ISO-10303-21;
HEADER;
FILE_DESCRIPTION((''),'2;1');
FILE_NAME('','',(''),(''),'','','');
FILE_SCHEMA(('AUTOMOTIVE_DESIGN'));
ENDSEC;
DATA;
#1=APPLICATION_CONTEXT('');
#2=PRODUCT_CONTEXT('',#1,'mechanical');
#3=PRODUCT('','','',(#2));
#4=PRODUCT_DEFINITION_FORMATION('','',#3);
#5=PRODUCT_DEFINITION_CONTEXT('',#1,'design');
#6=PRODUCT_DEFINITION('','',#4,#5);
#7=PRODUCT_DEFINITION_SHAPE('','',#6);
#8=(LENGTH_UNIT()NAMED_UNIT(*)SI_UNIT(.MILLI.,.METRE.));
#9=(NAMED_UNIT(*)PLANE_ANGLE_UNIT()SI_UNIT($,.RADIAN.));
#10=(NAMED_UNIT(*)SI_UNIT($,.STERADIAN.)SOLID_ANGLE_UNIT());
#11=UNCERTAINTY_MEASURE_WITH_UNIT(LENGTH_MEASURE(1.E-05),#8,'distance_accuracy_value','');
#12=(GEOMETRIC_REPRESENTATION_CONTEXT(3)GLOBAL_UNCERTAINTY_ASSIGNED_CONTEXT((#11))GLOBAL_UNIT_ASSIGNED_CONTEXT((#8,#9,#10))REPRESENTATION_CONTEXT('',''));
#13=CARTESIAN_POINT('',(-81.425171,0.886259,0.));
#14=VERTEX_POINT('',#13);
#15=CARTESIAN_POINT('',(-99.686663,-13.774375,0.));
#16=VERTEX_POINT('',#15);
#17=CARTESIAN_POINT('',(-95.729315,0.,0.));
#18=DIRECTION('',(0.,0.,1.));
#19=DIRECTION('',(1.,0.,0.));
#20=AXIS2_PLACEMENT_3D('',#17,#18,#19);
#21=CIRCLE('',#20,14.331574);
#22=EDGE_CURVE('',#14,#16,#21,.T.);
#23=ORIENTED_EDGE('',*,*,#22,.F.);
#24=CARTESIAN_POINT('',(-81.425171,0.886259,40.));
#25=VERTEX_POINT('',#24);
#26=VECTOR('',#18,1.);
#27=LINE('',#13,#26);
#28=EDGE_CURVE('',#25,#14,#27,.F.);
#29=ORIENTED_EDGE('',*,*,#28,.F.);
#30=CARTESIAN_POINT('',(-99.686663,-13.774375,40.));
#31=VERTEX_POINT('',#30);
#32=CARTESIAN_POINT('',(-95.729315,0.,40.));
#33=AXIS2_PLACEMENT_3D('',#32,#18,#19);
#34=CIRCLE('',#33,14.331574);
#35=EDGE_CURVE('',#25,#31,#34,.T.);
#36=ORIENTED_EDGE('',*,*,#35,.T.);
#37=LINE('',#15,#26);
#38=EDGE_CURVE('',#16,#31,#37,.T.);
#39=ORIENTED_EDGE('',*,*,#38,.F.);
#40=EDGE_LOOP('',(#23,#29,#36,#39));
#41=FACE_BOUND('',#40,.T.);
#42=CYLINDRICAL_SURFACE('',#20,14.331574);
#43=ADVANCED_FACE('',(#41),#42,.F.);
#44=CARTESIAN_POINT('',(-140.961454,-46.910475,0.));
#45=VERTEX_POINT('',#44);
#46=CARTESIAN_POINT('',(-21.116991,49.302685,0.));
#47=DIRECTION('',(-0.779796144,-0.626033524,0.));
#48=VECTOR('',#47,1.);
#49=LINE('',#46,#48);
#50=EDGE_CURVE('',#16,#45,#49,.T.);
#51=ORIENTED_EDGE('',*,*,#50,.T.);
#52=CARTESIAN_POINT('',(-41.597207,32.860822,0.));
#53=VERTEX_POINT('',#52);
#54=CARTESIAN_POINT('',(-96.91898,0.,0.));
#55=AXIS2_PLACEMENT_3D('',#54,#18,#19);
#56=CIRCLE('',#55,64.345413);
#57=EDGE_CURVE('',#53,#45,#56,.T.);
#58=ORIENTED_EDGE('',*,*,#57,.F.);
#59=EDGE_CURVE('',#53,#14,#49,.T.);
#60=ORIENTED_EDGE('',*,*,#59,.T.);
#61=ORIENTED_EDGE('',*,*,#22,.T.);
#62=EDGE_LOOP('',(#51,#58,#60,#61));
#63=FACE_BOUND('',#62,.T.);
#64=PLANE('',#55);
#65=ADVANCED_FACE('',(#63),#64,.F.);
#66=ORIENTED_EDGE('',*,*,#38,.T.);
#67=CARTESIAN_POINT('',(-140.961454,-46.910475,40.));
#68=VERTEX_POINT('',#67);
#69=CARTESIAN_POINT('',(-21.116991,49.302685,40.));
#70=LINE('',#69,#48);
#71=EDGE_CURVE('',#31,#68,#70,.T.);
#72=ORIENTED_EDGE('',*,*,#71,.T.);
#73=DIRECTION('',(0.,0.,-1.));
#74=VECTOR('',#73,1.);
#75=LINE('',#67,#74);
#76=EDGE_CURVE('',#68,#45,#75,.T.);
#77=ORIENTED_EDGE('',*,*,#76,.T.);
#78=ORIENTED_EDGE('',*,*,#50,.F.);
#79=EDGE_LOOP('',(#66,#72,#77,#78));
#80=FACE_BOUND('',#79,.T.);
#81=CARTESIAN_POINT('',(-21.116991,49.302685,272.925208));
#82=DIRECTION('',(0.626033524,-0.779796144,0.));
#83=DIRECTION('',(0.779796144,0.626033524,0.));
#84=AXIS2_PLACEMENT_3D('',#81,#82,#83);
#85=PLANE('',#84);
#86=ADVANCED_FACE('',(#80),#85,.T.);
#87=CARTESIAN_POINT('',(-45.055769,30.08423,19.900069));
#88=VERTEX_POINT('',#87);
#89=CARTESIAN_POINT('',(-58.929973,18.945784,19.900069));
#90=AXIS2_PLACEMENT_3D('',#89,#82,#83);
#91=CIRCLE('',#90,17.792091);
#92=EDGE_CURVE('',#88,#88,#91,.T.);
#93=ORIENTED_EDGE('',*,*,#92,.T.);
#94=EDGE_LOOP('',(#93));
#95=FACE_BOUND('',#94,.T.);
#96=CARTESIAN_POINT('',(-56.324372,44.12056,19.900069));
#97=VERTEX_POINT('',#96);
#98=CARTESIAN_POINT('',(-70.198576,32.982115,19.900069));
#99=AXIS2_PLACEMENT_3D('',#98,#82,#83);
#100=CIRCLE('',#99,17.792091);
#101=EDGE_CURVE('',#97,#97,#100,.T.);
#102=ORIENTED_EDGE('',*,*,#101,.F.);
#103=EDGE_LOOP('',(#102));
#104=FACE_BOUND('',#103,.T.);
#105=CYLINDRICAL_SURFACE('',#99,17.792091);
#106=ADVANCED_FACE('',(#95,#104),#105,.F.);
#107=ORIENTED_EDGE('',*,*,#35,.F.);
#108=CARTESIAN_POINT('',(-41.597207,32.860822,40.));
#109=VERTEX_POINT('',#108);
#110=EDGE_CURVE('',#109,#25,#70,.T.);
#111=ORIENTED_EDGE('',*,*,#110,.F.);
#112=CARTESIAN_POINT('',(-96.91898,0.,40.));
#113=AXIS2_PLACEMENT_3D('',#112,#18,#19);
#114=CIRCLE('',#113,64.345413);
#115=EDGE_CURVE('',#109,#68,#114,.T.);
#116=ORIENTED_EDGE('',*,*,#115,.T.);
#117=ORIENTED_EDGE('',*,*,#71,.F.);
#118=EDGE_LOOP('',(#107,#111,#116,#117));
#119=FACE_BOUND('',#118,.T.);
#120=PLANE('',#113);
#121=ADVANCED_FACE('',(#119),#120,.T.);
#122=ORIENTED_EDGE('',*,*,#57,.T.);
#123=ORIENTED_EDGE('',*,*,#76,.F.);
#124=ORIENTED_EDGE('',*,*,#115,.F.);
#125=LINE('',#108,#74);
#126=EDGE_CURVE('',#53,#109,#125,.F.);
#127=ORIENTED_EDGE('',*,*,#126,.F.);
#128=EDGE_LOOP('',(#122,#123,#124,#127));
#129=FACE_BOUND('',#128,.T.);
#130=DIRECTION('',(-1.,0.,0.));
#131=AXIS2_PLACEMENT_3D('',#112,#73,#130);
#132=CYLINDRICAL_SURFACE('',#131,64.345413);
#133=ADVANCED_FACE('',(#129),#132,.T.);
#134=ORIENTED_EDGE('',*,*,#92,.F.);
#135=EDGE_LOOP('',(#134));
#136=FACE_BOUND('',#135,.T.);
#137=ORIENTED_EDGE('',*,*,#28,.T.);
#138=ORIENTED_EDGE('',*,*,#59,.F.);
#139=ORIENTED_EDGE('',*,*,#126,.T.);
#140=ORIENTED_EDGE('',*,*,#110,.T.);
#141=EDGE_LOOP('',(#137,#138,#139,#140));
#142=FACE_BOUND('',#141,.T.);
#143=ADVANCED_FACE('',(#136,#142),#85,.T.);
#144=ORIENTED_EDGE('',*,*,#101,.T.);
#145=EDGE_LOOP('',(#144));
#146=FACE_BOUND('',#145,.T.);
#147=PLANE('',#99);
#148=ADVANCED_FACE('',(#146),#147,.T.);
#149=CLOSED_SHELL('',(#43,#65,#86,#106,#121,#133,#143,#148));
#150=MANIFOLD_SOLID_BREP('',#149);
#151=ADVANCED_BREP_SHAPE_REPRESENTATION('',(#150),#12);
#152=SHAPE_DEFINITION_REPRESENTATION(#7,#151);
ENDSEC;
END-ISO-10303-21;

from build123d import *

# Parameters (mm, degrees)
SKETCH1_R               = 64.345413168
BOSS_EXTRUDE1_DEPTH     = 40
SKETCH3_R               = 14.331573803
CUT_EXTRUDE2_DEPTH      = 40
CUT_EXTRUDE3_DEPTH      = 179.175578552
CUT_EXTRUDE3_DEPTH_BACK = 40
SKETCH5_R               = 17.792090532
CUT_EXTRUDE6_DEPTH      = 18


with BuildPart() as part:
    # Sketch1 → Boss-Extrude1 (new body)
    with BuildSketch(Plane.XY):
        with Locations((-96.918980287, 0)):
            Circle(SKETCH1_R)
    extrude(amount=BOSS_EXTRUDE1_DEPTH)

    # Sketch3 → Cut-Extrude2 (cut)
    with BuildSketch(Plane.XY.offset(40)):
        with Locations((-95.729315352, 0)):
            Circle(SKETCH3_R)
    extrude(amount=-CUT_EXTRUDE2_DEPTH, mode=Mode.SUBTRACT)

    # Sketch4 → Cut-Extrude3 (cut, two sides: drawn at the far end of the back side and taken through both)
    with BuildSketch(Plane.XY.offset(40).offset(-CUT_EXTRUDE3_DEPTH_BACK)):
        Polygon((268.087714355, 281.481110593), (-21.116990888, 49.302685257), (-148.180972854, -52.706427026), (-437.385678097, -284.884852362), (26.971172575, -863.294262848), (732.444565027, -296.928299893), align=None)
    extrude(amount=CUT_EXTRUDE3_DEPTH + CUT_EXTRUDE3_DEPTH_BACK, mode=Mode.SUBTRACT)

    # Sketch5 → Cut-Extrude6 (cut)
    with BuildSketch(Plane(origin=(-32.344640606, 40.288938299, 0), x_dir=(0.7797961442184731, 0.626033524231732, 0), z_dir=(0.626033524231732, -0.7797961442184731, 0))):
        with Locations((-34.092669142, 19.900069025)):
            Circle(SKETCH5_R)
    extrude(amount=-CUT_EXTRUDE6_DEPTH, mode=Mode.SUBTRACT)


solid = part.part
